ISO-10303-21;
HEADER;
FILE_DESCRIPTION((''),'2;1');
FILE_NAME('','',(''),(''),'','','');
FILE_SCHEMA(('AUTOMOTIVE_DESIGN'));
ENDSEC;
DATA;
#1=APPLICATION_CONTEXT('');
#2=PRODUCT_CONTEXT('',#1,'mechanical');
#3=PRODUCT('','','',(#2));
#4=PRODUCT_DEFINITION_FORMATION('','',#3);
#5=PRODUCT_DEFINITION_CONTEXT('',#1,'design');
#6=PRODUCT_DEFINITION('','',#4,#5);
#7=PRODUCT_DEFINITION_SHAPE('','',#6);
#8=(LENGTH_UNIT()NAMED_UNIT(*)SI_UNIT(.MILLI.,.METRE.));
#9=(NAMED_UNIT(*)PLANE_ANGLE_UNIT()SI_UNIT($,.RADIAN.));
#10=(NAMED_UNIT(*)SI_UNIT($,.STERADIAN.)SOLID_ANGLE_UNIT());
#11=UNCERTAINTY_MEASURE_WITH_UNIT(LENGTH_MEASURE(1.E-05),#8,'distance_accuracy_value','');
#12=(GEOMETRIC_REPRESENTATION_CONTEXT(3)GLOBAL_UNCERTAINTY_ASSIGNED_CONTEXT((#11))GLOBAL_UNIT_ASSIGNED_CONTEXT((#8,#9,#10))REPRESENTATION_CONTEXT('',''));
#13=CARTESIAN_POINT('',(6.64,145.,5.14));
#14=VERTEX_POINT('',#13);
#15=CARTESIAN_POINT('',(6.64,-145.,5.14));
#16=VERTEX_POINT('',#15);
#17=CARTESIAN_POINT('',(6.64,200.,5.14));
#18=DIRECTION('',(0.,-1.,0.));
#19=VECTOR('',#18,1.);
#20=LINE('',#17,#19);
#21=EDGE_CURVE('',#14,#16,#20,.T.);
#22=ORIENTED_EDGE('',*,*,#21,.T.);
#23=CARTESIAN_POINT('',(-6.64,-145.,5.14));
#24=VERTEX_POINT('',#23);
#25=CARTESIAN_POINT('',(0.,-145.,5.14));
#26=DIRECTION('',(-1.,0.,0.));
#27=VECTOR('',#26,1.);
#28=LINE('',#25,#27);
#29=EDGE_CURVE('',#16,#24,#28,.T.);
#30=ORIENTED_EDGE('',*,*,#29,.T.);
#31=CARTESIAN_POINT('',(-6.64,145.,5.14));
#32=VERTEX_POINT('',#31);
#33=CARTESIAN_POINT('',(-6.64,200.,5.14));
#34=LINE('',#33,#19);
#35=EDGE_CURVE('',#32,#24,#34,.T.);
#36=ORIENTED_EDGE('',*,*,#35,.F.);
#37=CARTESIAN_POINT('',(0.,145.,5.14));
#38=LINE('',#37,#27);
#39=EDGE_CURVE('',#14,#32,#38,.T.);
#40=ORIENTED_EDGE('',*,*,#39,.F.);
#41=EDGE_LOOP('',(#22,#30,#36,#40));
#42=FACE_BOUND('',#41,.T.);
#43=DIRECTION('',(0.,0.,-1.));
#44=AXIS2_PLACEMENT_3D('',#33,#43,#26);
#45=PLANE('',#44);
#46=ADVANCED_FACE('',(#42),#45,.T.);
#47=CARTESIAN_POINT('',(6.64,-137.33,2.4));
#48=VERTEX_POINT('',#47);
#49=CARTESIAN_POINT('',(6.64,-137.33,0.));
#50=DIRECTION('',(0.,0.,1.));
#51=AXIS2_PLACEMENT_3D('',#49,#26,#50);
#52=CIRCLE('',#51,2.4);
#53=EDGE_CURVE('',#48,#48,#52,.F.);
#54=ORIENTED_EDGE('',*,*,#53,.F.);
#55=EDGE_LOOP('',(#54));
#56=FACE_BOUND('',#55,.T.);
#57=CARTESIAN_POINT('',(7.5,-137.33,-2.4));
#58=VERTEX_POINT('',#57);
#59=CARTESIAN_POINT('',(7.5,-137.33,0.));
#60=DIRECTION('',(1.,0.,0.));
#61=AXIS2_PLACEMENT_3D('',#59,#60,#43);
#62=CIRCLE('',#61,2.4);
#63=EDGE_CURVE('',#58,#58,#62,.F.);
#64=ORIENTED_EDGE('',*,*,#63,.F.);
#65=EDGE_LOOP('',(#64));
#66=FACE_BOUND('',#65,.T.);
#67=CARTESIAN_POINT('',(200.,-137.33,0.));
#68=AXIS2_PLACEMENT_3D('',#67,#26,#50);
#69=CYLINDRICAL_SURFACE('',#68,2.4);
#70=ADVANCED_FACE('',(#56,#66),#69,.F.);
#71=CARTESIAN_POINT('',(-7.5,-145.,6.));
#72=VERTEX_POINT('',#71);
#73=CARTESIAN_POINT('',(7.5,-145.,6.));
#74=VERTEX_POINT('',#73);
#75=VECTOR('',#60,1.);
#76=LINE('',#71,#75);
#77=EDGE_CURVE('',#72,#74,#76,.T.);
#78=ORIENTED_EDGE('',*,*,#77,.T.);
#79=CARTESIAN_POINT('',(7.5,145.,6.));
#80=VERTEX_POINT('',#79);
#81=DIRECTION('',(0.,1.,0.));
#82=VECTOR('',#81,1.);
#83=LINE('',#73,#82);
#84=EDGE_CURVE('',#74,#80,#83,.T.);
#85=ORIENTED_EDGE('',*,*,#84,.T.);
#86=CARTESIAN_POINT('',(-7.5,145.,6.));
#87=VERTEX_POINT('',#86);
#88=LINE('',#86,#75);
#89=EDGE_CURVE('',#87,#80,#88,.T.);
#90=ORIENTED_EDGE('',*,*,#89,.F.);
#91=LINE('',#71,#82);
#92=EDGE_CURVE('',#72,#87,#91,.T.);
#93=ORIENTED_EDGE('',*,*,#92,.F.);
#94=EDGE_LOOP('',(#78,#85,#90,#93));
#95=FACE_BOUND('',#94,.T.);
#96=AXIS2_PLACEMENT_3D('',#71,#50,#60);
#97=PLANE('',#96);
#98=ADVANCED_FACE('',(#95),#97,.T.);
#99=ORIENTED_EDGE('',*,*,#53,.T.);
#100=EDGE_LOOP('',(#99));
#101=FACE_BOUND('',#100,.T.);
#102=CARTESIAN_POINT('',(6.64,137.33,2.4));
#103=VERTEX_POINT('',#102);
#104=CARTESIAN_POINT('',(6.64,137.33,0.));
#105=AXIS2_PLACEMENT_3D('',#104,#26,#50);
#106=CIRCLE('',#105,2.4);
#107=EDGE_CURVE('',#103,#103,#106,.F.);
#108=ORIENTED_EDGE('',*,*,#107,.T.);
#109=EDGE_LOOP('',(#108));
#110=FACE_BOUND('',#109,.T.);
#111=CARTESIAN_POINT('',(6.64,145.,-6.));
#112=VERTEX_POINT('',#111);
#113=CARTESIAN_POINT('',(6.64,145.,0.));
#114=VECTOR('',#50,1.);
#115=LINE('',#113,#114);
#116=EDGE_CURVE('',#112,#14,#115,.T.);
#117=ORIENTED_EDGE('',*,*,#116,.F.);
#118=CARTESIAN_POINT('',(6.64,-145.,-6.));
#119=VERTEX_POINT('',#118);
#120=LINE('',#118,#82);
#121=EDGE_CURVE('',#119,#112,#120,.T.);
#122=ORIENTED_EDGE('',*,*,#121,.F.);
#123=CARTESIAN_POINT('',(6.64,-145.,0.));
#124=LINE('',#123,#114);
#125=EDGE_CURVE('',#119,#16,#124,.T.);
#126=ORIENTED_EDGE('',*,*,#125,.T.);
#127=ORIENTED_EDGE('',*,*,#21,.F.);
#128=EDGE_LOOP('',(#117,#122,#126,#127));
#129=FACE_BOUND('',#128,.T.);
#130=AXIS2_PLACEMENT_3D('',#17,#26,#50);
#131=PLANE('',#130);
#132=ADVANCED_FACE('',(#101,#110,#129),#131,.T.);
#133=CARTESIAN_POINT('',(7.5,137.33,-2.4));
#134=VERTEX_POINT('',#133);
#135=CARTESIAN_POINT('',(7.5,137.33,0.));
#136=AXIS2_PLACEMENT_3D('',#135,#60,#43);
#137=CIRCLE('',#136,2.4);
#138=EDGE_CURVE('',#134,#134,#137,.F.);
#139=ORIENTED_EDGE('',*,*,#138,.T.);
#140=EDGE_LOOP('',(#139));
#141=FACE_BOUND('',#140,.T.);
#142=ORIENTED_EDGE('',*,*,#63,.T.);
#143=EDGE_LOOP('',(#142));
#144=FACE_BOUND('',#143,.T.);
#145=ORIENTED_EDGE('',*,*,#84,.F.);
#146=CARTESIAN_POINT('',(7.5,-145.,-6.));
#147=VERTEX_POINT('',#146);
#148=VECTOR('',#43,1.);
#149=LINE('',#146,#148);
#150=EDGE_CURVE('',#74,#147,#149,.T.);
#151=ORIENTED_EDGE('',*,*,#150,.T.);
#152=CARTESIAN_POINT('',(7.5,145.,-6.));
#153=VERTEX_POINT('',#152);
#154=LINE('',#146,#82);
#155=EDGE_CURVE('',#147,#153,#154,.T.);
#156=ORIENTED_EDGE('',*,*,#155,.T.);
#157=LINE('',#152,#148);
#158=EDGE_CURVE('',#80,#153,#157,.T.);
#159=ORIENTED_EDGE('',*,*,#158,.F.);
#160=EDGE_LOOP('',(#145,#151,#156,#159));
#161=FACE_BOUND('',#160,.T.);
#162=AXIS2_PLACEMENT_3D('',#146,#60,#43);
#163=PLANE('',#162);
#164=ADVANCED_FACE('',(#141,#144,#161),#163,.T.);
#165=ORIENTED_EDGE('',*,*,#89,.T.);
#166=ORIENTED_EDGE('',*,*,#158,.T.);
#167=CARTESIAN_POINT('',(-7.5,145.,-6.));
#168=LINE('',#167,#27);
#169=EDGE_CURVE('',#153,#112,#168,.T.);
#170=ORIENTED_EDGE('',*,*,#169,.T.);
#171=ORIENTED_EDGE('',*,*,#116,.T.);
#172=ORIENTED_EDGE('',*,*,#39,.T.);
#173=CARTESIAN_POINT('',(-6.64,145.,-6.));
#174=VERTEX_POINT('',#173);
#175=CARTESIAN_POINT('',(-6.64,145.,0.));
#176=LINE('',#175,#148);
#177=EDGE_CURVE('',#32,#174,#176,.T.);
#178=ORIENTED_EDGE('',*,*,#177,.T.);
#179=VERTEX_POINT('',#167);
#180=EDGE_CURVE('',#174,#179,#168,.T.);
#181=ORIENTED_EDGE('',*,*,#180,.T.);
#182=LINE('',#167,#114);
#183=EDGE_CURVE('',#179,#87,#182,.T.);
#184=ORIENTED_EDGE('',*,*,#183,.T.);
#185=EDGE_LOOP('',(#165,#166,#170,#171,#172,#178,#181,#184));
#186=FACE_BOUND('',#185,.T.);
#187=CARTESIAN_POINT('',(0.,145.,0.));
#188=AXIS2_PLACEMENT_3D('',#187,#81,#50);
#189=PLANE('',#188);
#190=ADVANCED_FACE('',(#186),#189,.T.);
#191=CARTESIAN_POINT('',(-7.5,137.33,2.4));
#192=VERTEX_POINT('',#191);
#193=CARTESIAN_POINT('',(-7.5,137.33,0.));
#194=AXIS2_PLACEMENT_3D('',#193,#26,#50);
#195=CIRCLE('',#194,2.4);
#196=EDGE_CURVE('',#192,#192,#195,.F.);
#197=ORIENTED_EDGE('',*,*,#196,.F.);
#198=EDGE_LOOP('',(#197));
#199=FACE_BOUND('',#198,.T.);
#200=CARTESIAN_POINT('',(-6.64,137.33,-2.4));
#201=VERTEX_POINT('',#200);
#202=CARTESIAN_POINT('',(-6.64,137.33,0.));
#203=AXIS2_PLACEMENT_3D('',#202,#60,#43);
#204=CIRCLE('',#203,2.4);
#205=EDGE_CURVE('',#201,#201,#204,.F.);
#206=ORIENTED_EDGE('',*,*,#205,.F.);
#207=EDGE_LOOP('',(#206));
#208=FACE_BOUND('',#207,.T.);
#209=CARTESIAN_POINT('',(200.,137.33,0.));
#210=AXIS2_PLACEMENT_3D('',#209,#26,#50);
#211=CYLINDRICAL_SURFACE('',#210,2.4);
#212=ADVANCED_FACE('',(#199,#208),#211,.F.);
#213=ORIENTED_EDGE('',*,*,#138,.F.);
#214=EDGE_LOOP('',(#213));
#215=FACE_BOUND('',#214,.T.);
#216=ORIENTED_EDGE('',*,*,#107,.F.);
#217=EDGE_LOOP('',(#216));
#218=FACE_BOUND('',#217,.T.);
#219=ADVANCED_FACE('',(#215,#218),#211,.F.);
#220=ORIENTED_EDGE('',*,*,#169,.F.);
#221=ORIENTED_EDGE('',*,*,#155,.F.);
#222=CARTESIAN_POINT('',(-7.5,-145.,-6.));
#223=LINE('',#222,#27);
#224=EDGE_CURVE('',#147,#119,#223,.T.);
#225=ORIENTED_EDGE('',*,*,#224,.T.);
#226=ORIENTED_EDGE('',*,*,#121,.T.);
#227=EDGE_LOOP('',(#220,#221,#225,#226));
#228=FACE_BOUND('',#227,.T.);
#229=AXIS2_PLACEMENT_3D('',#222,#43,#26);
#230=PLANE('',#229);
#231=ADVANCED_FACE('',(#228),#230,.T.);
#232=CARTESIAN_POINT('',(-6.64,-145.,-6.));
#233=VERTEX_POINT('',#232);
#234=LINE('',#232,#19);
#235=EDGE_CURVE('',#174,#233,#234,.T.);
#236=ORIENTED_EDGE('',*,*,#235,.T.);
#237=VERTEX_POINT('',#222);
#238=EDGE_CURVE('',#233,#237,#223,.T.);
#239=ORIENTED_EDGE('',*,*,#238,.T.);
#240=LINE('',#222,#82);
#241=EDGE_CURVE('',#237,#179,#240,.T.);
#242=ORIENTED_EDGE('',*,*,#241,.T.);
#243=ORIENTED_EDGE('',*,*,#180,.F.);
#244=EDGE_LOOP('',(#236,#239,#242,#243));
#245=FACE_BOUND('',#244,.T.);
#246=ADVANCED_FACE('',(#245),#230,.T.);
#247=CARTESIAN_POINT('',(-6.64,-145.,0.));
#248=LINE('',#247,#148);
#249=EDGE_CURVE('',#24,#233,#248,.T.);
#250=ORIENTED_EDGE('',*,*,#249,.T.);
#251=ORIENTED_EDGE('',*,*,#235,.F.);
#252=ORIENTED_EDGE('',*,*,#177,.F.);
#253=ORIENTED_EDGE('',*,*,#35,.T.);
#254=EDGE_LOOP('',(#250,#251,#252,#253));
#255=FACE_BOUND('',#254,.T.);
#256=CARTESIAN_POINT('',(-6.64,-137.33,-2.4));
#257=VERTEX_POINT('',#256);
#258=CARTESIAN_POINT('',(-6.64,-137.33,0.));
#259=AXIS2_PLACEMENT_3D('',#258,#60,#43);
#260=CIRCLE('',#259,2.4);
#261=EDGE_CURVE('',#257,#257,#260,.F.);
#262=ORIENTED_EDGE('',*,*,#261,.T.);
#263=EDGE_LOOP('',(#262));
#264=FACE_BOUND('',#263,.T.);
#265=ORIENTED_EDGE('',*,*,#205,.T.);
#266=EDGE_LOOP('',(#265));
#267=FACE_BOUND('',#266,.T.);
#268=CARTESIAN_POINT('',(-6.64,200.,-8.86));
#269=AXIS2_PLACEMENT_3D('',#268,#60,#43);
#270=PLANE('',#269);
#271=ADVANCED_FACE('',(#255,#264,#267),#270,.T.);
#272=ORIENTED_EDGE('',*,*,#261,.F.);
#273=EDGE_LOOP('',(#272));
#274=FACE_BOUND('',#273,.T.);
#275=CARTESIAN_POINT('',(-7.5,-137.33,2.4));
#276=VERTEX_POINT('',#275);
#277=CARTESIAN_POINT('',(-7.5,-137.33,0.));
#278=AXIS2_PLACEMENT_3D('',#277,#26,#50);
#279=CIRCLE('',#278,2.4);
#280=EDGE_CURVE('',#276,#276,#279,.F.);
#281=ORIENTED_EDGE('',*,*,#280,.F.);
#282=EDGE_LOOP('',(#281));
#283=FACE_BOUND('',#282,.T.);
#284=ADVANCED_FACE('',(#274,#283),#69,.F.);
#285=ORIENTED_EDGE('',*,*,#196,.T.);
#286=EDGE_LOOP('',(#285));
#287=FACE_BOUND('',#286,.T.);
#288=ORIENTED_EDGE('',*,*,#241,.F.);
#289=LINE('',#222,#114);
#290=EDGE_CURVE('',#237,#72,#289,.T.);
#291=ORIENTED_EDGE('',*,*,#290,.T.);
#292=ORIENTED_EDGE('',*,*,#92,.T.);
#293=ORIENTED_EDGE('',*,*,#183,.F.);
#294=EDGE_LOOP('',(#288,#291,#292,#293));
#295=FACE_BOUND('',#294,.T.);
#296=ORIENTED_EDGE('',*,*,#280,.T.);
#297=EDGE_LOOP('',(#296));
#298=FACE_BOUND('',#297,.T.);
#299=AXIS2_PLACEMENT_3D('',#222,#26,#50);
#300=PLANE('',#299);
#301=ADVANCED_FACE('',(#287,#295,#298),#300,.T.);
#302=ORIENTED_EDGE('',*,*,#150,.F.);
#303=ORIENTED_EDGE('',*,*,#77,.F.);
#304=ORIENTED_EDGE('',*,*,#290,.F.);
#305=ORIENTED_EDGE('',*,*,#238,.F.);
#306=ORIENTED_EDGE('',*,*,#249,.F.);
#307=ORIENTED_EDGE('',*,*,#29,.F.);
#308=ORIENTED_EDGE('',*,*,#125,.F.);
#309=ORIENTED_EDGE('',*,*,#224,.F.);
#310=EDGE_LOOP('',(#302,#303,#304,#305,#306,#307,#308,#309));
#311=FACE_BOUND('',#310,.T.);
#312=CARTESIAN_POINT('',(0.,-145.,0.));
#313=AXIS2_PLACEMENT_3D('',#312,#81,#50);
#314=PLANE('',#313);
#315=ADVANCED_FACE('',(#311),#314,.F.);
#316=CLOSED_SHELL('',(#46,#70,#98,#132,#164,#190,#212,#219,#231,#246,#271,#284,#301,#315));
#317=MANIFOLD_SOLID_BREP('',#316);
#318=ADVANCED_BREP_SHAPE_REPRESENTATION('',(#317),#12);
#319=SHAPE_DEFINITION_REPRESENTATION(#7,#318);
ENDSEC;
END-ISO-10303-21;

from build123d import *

# Parameters (mm, degrees)
BOSS_EXTRUDE1_DEPTH      = 145
BOSS_EXTRUDE1_DEPTH_BACK = 145
SKETCH1_W                = 15
SKETCH1_H                = 12
CUT_EXTRUDE1_DEPTH       = 200
CUT_EXTRUDE1_DEPTH_BACK  = 200
SKETCH2_W                = 13.28
SKETCH2_H                = 14
CUT_EXTRUDE2_DEPTH       = 200
CUT_EXTRUDE2_DEPTH_BACK  = 200
SKETCH3_R                = 2.4


with BuildPart() as part:
    # Sketch1 → Boss-Extrude1 (new, two sides: drawn at the far end of the back side and taken through both)
    with BuildSketch(Plane(origin=(0, 0, 0), x_dir=(1, 0, 0), z_dir=(0, 1, 0)).offset(-BOSS_EXTRUDE1_DEPTH_BACK)):
        Rectangle(SKETCH1_W, SKETCH1_H)
    extrude(amount=BOSS_EXTRUDE1_DEPTH + BOSS_EXTRUDE1_DEPTH_BACK)

    # Sketch2 → Cut-Extrude1 (cut, two sides: drawn at the far end of the back side and taken through both)
    with BuildSketch(Plane(origin=(0, 0, 0), x_dir=(1, 0, 0), z_dir=(0, 1, 0)).offset(-CUT_EXTRUDE1_DEPTH_BACK)):
        with Locations((0, 1.86)):
            Rectangle(SKETCH2_W, SKETCH2_H)
    extrude(amount=CUT_EXTRUDE1_DEPTH + CUT_EXTRUDE1_DEPTH_BACK, mode=Mode.SUBTRACT)

    # Sketch3 → Cut-Extrude2 (cut, two sides: drawn at the far end of the back side and taken through both)
    with BuildSketch(Plane(origin=(0, 0, 0), x_dir=(0, 0, -1), z_dir=(1, 0, 0)).offset(-CUT_EXTRUDE2_DEPTH_BACK)):
        with Locations((0, 137.33)):
            Circle(SKETCH3_R)
        with Locations((0, -137.33)):
            Circle(SKETCH3_R)
    extrude(amount=CUT_EXTRUDE2_DEPTH + CUT_EXTRUDE2_DEPTH_BACK, mode=Mode.SUBTRACT)


solid = part.part
